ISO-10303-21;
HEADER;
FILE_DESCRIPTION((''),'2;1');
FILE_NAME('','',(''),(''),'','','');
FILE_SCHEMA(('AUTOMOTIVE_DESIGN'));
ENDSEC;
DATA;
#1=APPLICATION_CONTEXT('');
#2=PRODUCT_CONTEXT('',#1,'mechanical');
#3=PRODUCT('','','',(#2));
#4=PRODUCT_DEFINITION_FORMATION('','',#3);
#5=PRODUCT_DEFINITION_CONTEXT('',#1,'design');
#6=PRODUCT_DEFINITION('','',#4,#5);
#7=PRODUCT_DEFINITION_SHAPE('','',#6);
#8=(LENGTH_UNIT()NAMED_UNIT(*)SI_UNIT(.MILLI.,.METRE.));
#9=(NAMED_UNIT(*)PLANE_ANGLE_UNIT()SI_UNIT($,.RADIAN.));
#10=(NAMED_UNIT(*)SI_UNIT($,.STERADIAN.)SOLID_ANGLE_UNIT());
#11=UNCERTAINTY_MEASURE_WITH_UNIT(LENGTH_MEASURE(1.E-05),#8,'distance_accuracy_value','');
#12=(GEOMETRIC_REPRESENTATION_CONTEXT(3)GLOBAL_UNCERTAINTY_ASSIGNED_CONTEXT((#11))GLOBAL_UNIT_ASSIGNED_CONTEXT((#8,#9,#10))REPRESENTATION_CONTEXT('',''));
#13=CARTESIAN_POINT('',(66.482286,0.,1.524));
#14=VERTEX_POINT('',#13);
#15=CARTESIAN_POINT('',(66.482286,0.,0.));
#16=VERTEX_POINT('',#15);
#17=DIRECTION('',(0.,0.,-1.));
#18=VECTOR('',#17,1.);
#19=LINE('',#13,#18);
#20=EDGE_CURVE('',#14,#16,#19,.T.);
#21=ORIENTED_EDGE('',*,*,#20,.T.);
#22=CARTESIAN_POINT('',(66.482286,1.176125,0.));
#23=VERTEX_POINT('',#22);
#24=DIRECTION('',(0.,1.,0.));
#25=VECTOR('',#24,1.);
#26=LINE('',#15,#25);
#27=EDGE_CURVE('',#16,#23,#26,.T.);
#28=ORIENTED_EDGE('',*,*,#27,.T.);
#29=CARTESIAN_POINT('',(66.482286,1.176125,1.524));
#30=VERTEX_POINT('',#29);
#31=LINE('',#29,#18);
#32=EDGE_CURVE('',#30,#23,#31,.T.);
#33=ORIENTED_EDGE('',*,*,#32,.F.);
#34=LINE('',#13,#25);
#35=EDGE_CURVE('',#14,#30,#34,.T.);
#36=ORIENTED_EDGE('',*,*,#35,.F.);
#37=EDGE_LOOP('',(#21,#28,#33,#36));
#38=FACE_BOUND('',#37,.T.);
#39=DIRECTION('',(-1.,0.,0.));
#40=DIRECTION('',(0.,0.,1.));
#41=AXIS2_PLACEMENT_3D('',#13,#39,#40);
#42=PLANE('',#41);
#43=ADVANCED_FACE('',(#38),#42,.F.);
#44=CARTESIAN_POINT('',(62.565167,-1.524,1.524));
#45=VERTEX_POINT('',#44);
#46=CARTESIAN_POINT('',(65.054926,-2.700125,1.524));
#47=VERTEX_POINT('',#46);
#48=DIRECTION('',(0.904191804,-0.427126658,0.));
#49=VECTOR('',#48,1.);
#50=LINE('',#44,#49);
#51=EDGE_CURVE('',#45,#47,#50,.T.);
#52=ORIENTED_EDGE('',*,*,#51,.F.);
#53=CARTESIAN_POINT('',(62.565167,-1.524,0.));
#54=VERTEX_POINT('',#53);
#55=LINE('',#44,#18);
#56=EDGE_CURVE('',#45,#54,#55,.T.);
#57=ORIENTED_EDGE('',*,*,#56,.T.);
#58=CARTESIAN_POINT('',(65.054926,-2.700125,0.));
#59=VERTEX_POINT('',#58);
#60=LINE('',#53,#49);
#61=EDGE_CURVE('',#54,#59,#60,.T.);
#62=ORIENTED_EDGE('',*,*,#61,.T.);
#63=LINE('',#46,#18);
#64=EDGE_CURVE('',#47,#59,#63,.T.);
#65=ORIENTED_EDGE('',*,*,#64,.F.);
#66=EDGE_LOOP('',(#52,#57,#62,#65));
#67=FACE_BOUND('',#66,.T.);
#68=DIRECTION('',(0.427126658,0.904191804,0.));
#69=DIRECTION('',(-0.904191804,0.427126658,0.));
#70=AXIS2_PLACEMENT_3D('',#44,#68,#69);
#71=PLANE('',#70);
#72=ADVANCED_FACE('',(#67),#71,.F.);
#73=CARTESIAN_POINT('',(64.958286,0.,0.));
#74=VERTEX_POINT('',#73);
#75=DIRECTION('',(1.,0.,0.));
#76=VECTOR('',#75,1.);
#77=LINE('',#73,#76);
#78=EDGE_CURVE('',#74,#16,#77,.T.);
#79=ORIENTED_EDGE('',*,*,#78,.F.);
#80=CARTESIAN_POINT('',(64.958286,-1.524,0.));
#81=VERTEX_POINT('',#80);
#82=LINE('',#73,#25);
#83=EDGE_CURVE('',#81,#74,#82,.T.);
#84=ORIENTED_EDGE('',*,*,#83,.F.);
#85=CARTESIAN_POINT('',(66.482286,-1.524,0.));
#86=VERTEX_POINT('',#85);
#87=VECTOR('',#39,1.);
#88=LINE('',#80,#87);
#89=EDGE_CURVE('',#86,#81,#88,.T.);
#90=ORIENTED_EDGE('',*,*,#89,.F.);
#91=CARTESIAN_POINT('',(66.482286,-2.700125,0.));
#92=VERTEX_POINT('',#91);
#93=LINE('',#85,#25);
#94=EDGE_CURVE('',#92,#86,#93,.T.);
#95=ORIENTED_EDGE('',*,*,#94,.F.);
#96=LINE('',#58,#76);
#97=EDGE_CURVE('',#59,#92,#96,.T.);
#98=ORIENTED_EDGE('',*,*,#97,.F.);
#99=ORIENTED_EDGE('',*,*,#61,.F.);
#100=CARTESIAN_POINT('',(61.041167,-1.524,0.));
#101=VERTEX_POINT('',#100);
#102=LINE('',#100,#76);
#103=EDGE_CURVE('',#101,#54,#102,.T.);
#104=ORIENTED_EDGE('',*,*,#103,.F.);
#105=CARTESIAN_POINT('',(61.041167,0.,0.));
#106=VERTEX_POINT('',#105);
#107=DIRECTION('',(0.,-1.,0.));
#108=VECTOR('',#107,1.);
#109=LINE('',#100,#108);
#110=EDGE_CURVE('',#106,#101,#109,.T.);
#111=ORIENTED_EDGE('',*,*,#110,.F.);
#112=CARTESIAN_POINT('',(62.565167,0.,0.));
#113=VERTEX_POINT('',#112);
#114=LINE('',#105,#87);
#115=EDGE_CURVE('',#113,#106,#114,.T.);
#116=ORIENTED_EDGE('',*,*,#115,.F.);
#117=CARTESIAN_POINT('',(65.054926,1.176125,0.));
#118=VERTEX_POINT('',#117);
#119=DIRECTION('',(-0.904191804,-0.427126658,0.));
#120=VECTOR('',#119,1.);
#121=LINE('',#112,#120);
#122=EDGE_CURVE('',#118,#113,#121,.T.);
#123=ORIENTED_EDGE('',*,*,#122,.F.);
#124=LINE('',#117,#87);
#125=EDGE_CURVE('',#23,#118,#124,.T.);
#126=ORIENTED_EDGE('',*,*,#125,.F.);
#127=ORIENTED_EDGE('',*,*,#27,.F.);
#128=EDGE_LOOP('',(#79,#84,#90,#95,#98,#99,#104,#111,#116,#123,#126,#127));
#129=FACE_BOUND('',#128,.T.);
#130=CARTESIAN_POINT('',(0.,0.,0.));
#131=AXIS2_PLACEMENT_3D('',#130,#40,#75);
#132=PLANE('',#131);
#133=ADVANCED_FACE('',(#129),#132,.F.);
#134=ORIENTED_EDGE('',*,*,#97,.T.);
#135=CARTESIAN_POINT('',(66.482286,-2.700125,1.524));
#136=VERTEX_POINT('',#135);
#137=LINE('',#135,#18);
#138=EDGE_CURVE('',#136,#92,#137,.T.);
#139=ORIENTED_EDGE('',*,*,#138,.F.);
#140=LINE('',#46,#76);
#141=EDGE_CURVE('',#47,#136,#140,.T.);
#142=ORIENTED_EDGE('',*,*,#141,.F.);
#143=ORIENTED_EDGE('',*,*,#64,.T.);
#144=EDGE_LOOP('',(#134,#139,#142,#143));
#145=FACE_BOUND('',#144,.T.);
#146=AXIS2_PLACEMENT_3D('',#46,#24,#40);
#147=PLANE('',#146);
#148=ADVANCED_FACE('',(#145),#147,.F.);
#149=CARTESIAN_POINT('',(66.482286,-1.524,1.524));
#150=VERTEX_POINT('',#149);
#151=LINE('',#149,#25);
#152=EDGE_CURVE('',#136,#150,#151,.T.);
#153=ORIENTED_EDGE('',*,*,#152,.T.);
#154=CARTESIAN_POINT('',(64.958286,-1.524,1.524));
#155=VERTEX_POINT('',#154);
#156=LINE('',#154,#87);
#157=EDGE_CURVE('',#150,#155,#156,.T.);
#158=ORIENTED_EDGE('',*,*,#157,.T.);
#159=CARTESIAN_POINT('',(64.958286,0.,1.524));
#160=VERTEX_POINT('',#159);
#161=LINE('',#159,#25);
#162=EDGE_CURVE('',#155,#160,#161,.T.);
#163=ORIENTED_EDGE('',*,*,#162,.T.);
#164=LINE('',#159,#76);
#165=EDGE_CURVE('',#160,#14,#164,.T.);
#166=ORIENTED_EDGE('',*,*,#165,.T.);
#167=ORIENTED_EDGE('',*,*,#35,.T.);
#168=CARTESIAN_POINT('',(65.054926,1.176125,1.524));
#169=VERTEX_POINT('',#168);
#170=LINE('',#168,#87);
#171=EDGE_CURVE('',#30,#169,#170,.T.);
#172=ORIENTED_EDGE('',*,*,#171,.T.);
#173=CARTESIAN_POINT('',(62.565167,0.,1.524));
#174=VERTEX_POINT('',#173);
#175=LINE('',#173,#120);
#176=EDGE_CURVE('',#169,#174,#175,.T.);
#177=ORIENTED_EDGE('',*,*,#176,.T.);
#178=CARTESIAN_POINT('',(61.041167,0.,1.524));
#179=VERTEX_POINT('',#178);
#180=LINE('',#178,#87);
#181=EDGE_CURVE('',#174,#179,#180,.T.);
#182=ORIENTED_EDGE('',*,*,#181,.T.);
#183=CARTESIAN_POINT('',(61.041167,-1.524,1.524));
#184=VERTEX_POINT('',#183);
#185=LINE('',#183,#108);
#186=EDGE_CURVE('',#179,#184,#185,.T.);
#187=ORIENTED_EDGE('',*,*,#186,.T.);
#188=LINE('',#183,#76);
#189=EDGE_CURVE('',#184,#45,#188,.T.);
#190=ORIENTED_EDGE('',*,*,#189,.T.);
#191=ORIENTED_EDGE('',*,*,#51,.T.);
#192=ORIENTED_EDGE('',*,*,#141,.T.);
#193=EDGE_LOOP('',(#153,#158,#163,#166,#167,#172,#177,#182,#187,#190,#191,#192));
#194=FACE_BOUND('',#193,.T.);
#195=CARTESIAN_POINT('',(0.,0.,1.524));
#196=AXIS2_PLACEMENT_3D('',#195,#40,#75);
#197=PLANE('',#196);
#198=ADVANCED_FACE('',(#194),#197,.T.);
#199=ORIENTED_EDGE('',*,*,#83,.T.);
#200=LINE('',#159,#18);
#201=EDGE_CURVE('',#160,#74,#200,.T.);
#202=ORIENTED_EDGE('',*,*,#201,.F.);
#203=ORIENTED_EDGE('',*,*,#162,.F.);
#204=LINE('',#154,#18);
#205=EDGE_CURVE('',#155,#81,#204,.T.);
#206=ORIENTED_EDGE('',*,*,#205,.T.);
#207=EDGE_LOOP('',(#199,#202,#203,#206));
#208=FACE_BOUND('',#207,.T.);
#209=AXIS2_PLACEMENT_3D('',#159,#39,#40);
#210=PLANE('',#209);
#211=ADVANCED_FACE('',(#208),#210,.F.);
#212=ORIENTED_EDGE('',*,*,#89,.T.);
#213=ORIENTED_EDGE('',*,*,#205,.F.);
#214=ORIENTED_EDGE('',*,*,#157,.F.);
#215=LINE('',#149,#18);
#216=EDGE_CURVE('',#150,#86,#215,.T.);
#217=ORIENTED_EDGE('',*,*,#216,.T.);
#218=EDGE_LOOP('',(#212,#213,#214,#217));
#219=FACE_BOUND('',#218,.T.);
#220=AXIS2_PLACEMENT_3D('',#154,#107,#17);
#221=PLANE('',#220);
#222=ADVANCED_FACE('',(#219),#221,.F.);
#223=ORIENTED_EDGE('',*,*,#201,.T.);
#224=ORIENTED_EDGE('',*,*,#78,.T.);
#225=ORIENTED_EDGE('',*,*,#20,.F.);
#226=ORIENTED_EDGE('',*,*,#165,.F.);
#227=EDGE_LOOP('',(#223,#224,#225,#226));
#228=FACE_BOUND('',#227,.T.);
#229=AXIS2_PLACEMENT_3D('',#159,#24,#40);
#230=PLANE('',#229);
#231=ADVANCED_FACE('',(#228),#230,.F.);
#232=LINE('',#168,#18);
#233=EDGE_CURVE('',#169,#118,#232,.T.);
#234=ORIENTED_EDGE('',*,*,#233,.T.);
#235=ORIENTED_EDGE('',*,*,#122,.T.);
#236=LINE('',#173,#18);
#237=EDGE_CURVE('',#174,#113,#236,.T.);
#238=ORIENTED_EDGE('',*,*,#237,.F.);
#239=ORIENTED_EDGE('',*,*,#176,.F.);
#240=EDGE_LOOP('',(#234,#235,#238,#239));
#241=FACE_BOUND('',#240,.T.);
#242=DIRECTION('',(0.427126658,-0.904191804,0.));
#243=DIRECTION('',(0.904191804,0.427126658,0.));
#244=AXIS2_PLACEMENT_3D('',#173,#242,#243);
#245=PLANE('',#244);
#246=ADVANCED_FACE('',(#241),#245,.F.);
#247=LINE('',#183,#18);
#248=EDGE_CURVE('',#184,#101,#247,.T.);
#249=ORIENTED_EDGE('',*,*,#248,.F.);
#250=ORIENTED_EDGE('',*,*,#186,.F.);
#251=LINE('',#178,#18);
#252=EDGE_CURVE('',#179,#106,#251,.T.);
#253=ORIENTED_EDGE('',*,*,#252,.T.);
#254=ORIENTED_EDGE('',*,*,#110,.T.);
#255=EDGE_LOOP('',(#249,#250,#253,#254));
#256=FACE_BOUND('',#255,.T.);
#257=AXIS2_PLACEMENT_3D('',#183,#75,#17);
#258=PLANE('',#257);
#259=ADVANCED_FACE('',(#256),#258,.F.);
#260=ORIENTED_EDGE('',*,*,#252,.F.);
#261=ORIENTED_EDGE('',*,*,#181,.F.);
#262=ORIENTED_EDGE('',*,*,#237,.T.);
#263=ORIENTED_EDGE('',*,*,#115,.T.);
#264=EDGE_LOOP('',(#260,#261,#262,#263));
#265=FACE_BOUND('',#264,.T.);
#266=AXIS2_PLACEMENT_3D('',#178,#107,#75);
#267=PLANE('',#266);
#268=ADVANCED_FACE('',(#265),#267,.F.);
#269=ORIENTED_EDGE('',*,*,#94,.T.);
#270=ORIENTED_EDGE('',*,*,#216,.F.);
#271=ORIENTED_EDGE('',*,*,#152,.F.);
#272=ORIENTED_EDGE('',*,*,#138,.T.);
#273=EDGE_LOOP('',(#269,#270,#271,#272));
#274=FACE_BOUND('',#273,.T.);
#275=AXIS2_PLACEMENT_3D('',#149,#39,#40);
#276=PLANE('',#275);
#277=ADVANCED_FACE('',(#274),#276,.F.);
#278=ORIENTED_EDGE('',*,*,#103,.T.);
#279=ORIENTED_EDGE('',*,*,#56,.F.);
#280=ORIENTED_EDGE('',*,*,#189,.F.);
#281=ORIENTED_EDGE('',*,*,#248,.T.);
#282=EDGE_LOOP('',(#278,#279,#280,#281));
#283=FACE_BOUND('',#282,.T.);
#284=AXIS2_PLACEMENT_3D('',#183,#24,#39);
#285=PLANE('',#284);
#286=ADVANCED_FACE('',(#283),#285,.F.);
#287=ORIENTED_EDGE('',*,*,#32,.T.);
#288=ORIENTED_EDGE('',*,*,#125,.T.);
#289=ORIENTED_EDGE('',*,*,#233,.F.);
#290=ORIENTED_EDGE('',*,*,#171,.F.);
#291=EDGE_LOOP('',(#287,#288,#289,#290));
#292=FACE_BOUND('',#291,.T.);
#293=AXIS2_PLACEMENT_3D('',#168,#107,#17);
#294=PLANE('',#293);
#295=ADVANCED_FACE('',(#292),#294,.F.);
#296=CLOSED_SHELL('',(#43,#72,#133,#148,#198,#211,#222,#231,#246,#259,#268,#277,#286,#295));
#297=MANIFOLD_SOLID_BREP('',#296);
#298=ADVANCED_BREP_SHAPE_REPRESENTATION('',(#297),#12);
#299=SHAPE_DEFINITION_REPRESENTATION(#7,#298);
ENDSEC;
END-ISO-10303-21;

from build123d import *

# Parameters (mm, degrees)
BOSS_EXTRUDE1_DEPTH = 1.524


with BuildPart() as part:
    # Sketch1 → Boss-Extrude1 (new body)
    with BuildSketch(Plane.XY):
        Polygon((66.482285978, -1.524), (66.482285978, -2.700124806), (65.05492566, -2.700124806), (62.565166735, -1.524), (61.041166735, -1.524), (61.041166735, 0), (62.565166735, 0), (65.05492566, 1.176124806), (66.482285978, 1.176124806), (66.482285978, 0), (64.958285978, 0), (64.958285978, -1.524), align=None)
    extrude(amount=BOSS_EXTRUDE1_DEPTH)


solid = part.part
